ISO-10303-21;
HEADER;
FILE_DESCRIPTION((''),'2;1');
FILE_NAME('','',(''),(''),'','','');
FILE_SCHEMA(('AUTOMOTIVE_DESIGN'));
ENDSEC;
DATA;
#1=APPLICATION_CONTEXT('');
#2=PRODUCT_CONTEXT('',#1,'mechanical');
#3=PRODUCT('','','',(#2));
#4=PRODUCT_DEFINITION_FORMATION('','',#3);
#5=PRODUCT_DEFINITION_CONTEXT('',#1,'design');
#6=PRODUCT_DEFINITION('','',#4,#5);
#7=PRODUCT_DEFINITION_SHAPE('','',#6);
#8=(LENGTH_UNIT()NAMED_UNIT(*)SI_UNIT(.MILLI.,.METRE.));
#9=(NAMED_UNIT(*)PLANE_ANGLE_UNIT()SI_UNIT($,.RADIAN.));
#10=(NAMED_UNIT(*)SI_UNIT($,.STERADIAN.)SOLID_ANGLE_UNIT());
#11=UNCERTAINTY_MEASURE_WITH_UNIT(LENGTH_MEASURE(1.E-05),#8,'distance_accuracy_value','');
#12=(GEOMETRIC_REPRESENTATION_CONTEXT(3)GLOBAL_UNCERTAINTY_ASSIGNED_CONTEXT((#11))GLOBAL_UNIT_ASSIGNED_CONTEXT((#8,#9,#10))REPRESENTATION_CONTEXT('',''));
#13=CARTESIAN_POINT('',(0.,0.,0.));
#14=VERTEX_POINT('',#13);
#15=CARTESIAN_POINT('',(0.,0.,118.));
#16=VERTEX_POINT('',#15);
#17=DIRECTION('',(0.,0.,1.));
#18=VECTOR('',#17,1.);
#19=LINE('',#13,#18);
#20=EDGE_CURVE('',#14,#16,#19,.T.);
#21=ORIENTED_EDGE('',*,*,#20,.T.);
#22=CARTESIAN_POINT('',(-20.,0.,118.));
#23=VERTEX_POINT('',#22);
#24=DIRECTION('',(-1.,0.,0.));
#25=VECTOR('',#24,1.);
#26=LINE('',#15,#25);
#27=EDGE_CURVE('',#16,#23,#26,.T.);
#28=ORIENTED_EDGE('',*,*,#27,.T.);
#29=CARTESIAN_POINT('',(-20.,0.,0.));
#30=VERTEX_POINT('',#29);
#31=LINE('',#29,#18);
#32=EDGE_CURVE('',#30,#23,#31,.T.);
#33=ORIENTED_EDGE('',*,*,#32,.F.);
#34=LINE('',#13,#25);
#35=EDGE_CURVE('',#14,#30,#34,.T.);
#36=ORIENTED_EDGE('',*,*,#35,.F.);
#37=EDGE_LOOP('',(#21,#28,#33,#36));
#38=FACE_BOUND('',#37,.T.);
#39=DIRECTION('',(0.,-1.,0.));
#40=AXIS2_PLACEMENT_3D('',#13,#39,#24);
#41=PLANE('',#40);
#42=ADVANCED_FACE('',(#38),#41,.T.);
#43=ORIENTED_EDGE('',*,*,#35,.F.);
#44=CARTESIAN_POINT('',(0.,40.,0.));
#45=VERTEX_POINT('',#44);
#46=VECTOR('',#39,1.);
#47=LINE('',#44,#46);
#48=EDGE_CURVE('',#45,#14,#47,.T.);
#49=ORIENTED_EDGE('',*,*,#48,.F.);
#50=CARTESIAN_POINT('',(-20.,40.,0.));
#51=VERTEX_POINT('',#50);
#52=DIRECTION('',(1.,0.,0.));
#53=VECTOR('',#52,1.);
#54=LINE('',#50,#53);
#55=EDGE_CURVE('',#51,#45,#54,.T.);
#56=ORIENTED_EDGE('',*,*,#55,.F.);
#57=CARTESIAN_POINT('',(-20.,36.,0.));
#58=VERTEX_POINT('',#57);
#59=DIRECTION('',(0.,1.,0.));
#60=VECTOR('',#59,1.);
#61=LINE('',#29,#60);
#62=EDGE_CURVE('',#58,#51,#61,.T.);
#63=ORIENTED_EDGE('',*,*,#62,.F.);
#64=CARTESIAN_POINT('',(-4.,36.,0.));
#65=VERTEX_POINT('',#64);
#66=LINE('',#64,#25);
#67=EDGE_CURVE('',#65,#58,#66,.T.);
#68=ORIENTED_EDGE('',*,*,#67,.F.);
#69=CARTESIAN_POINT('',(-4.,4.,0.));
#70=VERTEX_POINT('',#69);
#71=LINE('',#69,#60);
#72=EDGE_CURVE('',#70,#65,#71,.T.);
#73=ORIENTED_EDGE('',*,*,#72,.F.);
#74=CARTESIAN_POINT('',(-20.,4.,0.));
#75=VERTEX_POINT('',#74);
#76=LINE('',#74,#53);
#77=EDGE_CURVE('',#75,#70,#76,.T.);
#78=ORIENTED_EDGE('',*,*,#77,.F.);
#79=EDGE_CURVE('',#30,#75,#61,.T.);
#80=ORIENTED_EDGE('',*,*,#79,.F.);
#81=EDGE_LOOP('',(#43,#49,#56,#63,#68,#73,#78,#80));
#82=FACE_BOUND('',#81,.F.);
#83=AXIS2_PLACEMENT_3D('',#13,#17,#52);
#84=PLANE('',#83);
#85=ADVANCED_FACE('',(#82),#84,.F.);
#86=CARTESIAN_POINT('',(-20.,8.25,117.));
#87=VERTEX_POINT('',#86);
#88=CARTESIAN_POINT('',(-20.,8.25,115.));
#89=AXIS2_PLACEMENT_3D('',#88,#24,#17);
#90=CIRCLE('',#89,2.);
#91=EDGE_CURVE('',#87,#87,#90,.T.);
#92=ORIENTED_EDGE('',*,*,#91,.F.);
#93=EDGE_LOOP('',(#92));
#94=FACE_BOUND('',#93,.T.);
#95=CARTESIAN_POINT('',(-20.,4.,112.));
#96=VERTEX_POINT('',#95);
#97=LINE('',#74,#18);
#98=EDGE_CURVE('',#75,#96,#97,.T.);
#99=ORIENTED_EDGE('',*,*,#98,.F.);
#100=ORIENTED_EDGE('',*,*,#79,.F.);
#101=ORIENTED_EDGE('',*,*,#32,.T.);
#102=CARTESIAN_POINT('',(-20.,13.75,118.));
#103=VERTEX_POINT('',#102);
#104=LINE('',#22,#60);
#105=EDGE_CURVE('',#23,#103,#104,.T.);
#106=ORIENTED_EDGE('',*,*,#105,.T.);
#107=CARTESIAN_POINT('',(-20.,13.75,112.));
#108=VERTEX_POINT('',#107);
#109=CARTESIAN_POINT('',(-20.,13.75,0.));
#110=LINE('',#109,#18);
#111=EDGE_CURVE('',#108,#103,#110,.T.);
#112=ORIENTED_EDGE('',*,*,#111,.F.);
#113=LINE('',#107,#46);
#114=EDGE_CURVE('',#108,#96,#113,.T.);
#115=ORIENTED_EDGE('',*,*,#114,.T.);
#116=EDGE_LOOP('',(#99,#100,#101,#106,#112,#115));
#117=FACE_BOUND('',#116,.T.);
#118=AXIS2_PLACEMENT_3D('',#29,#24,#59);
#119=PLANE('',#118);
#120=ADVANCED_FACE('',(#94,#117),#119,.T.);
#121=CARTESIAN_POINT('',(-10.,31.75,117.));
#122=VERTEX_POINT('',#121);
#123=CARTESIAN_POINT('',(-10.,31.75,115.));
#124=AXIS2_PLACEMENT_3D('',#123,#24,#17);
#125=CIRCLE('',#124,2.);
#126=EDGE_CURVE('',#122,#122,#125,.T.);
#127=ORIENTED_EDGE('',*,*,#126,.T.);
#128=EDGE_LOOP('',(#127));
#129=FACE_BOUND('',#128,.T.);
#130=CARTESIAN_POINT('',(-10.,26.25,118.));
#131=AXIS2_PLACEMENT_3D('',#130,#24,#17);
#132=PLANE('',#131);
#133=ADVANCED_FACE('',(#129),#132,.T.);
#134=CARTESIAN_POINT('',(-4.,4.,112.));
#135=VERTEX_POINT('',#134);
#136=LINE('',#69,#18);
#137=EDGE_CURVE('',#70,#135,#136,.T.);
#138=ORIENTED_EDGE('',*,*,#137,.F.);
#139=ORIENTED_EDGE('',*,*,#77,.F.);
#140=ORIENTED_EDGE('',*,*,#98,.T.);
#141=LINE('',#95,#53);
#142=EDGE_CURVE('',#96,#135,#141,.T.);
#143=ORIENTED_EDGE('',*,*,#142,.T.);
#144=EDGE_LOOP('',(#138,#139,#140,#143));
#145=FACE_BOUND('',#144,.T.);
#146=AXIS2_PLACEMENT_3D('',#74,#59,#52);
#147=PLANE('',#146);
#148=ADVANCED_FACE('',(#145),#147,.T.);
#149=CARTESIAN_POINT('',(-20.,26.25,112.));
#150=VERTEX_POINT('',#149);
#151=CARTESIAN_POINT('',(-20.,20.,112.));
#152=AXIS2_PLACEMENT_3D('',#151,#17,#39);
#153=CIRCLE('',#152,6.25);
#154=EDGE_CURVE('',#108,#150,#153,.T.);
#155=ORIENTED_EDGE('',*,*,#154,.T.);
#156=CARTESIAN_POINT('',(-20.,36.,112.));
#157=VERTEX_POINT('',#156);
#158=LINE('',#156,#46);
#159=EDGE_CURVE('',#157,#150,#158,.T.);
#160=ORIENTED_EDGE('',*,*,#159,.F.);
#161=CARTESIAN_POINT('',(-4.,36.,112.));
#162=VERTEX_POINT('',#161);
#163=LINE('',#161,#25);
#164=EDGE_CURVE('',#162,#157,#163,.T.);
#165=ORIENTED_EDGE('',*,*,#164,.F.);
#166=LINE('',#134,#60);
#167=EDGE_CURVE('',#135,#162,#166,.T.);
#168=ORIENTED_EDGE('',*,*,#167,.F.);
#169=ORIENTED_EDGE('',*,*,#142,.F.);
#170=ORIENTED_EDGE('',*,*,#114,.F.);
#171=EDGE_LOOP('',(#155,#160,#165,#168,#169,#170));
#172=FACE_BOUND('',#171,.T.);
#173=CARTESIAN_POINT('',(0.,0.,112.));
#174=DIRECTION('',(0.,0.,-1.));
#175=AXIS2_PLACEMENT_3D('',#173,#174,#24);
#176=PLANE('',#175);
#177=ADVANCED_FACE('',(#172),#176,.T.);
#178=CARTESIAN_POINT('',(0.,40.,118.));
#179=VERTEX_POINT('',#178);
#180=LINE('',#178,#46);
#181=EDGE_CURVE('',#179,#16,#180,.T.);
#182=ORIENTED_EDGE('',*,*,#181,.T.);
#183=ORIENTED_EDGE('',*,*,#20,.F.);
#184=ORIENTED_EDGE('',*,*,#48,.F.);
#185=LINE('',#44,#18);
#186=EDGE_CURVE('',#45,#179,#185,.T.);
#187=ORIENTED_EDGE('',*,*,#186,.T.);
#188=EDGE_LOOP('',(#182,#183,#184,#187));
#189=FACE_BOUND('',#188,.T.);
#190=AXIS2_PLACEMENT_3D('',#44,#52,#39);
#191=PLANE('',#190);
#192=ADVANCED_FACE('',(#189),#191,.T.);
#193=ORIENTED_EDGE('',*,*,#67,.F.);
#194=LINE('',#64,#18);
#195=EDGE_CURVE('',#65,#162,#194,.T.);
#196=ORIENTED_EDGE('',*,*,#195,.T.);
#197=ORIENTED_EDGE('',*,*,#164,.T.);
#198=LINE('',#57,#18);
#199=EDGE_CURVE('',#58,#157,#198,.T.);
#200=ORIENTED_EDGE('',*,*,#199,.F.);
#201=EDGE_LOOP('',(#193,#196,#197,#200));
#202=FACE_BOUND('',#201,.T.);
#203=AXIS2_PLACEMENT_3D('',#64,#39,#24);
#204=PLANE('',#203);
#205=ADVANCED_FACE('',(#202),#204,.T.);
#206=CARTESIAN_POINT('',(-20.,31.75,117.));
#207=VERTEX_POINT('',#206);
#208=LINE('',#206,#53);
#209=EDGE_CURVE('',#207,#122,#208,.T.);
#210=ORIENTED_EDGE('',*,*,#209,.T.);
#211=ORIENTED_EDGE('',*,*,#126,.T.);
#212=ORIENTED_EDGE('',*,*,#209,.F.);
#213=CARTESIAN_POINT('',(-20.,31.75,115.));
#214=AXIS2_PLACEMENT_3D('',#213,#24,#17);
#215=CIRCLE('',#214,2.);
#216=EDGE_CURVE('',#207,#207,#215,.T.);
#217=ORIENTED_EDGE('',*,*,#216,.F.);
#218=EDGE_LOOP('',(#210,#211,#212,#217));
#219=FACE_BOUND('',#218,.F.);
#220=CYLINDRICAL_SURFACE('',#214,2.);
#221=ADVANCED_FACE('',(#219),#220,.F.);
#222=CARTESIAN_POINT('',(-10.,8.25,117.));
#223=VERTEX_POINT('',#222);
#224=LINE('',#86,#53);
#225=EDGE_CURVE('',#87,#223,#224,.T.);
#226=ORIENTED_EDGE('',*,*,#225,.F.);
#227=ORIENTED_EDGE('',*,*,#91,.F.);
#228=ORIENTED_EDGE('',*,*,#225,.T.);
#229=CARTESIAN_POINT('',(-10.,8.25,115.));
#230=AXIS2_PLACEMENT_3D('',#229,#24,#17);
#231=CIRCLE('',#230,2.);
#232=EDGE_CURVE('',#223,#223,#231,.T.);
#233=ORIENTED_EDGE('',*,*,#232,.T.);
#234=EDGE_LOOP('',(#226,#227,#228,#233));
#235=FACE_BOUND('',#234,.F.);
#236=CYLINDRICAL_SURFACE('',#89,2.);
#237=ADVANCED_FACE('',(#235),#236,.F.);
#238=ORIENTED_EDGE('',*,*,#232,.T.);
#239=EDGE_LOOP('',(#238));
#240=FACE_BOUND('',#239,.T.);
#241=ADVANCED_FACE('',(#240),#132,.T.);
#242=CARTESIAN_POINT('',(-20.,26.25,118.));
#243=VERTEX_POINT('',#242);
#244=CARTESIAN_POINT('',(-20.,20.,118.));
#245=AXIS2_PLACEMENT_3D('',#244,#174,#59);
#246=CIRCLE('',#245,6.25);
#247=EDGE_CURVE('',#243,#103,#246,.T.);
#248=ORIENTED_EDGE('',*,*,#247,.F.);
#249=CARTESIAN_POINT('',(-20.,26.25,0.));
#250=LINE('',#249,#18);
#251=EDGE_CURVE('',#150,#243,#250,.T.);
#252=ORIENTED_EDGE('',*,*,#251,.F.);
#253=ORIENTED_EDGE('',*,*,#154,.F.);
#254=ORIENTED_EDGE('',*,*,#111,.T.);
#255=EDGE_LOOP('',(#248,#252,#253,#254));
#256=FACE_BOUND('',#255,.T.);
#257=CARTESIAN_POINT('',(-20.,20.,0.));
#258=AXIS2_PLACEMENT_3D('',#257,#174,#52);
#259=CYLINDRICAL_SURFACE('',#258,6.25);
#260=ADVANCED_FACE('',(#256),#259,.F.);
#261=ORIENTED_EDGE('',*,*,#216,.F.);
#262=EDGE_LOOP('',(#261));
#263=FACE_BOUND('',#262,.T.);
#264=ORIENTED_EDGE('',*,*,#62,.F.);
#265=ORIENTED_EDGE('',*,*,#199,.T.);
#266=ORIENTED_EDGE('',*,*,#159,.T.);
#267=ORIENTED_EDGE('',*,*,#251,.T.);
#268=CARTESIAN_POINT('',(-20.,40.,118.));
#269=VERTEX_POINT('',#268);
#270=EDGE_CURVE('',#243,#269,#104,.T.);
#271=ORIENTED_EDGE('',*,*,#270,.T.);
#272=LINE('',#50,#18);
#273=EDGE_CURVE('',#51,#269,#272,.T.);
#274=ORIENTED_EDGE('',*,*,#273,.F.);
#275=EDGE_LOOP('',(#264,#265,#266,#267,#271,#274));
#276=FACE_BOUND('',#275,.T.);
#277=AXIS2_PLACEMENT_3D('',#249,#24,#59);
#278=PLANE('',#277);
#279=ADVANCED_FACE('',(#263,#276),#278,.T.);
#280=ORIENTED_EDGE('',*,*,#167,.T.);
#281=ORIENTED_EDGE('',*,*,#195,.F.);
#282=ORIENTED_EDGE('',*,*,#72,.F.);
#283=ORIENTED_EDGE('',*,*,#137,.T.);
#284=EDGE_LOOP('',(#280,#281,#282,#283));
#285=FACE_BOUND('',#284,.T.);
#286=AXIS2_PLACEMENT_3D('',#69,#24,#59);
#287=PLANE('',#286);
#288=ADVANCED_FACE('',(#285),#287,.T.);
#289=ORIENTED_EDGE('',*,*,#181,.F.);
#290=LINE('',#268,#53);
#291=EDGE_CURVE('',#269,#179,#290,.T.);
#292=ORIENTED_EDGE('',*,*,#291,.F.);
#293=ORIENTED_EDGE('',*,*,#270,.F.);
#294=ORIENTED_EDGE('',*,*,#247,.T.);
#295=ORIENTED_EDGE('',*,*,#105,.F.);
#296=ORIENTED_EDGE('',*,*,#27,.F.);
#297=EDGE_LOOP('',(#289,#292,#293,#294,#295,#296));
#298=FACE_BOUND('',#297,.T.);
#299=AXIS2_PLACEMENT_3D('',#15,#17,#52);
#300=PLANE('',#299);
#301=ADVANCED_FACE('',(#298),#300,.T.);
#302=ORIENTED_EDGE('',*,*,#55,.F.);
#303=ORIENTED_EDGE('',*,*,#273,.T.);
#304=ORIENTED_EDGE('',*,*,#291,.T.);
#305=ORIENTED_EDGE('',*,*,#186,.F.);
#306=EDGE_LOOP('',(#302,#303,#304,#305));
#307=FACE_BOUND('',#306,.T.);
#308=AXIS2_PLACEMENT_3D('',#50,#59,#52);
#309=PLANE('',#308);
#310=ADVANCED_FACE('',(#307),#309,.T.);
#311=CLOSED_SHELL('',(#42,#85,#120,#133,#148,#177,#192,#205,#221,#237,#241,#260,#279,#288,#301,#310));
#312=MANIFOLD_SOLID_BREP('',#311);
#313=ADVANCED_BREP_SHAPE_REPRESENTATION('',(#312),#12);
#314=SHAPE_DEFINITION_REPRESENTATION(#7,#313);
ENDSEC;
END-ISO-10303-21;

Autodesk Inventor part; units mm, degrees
ref_plane "YZ Plane" through (0, 0, 0) normal (1, 0, 0) x (0, 1, 0)
ref_plane "XZ Plane" through (0, 0, 0) normal (0, 1, 0) x (-1, 0, 0)
ref_plane "XY Plane" through (0, 0, 0) normal (0, 0, 1) x (1, 0, 0)
sketch "스케치1" plane through (0, 0, 0) normal (0, 0, 1) x (1, 0, 0)
  line L0 (0, 0) -> (-20, 0)
  line L1 (-20, 0) -> (-20, 40)
  line L2 (-20, 40) -> (0, 40)
  line L3 (0, 40) -> (0, 0)
  circle A0 centre (-20, 20) radius 6.25
  point P0 (-20, 26.25)
  point P1 (-20, 13.75)
  dimension "d0" = 40
  dimension "d1" = 20
  dimension "d2" = 20
  dimension "d3" = 12.5
extrude "돌출1" add sketch "스케치1" along normal blind 118 contours L0 L1 A0 L2 L3
sketch "스케치2" plane through (0, 0, 118) normal (0, 0, 1) x (1, 0, 0)
  line L0 (-20, 40) -> (-20, 26.25) projected
  line L1 (-20, 36) -> (-4, 36)
  line L2 (-4, 36) -> (-4, 4)
  line L3 (-4, 4) -> (-20, 4)
  line L4 (-20, 13.75) -> (-20, 0) projected
  line L5 (0, 40) -> (-20, 40) projected
  point P0 (0, 0)
  dimension "d6" = 16
  dimension "d7" = 32
  dimension "d8" = 4
sketch "스케치3" plane through (0, 0, 118) normal (0, 0, 1) x (1, 0, 0)
  line L0 (-20, 36) -> (-4, 36) projected
  line L1 (-4, 36) -> (-4, 4) projected
  line L2 (-4, 4) -> (-20, 4) projected
  line L3 (-20, 13.75) -> (-20, 0) projected
  line L4 (-20, 40) -> (-20, 26.25) projected
  point P0 (0, 0)
sketch "스케치4" plane through (0, 0, 118) normal (0, 0, 1) x (1, 0, 0)
  line L0 (-20, 40) -> (-20, 26.25) projected
  line L1 (-20, 35.8924) -> (-20, 26.25)
  line L2 (-20, 13.75) -> (-20, 0) projected
  line L3 (-20, 4.1853) -> (-20, 13.75)
  point P0 (0, 0)
sketch "스케치5" plane through (0, 0, 118) normal (0, 0, 1) x (1, 0, 0)
  line L0 (-20, 36) -> (-4, 36) projected
  line L1 (-4, 36) -> (-4, 4) projected
  line L2 (-4, 4) -> (-20, 4) projected
  line L3 (-20, 13.75) -> (-20, 0) projected
  line L4 (-20, 40) -> (-20, 26.25) projected
  point P0 (0, 0)
  point P1 (-20, 4.1853)
sketch "스케치6" plane through (0, 0, 0) normal (0, 0, -1) x (-1, 0, 0)
  line L0 (20, 13.75) -> (20, 0) projected
  line L1 (20, 4) -> (4, 4)
  line L2 (4, 4) -> (4, 36)
  line L3 (4, 36) -> (20, 36)
  line L4 (20, 36) -> (20, 4)
  line L5 (20, 0) -> (0, 0) projected
  arc A0 (20, 26.25) -> (20, 13.75) centre (20, 20) ccw projected
  dimension "d9" = 16
  dimension "d10" = 32
  dimension "d11" = 4
extrude "돌출2" cut sketch "스케치6" against normal blind 112 contours L0 L1 L2 L3 L4 A0
sketch "스케치8" plane through (-20, 26.25, 118) normal (-1, 0, 0) x (0, 0, 1)
  circle A0 centre (-3, 5.5) radius 2
  circle A1 centre (-3, -18) radius 2
  line L0 (0, -12.5) -> (0, -26.25) projected
  line L1 (-6, -12.5) -> (0, -12.5) projected
  line L2 (-6, 0) -> (0, 0) projected
  line L3 (0, 13.75) -> (0, 0) projected
  point P0 (-118, -26.25)
  dimension "d22" = 4
  dimension "d23" = 4
  dimension "d24" = 3
  dimension "d25" = 5.5
  dimension "d26" = 5.5
  dimension "d27" = 3
extrude "돌출4" cut sketch "스케치8" against normal blind 10
properties part number "hard_support_wm"
